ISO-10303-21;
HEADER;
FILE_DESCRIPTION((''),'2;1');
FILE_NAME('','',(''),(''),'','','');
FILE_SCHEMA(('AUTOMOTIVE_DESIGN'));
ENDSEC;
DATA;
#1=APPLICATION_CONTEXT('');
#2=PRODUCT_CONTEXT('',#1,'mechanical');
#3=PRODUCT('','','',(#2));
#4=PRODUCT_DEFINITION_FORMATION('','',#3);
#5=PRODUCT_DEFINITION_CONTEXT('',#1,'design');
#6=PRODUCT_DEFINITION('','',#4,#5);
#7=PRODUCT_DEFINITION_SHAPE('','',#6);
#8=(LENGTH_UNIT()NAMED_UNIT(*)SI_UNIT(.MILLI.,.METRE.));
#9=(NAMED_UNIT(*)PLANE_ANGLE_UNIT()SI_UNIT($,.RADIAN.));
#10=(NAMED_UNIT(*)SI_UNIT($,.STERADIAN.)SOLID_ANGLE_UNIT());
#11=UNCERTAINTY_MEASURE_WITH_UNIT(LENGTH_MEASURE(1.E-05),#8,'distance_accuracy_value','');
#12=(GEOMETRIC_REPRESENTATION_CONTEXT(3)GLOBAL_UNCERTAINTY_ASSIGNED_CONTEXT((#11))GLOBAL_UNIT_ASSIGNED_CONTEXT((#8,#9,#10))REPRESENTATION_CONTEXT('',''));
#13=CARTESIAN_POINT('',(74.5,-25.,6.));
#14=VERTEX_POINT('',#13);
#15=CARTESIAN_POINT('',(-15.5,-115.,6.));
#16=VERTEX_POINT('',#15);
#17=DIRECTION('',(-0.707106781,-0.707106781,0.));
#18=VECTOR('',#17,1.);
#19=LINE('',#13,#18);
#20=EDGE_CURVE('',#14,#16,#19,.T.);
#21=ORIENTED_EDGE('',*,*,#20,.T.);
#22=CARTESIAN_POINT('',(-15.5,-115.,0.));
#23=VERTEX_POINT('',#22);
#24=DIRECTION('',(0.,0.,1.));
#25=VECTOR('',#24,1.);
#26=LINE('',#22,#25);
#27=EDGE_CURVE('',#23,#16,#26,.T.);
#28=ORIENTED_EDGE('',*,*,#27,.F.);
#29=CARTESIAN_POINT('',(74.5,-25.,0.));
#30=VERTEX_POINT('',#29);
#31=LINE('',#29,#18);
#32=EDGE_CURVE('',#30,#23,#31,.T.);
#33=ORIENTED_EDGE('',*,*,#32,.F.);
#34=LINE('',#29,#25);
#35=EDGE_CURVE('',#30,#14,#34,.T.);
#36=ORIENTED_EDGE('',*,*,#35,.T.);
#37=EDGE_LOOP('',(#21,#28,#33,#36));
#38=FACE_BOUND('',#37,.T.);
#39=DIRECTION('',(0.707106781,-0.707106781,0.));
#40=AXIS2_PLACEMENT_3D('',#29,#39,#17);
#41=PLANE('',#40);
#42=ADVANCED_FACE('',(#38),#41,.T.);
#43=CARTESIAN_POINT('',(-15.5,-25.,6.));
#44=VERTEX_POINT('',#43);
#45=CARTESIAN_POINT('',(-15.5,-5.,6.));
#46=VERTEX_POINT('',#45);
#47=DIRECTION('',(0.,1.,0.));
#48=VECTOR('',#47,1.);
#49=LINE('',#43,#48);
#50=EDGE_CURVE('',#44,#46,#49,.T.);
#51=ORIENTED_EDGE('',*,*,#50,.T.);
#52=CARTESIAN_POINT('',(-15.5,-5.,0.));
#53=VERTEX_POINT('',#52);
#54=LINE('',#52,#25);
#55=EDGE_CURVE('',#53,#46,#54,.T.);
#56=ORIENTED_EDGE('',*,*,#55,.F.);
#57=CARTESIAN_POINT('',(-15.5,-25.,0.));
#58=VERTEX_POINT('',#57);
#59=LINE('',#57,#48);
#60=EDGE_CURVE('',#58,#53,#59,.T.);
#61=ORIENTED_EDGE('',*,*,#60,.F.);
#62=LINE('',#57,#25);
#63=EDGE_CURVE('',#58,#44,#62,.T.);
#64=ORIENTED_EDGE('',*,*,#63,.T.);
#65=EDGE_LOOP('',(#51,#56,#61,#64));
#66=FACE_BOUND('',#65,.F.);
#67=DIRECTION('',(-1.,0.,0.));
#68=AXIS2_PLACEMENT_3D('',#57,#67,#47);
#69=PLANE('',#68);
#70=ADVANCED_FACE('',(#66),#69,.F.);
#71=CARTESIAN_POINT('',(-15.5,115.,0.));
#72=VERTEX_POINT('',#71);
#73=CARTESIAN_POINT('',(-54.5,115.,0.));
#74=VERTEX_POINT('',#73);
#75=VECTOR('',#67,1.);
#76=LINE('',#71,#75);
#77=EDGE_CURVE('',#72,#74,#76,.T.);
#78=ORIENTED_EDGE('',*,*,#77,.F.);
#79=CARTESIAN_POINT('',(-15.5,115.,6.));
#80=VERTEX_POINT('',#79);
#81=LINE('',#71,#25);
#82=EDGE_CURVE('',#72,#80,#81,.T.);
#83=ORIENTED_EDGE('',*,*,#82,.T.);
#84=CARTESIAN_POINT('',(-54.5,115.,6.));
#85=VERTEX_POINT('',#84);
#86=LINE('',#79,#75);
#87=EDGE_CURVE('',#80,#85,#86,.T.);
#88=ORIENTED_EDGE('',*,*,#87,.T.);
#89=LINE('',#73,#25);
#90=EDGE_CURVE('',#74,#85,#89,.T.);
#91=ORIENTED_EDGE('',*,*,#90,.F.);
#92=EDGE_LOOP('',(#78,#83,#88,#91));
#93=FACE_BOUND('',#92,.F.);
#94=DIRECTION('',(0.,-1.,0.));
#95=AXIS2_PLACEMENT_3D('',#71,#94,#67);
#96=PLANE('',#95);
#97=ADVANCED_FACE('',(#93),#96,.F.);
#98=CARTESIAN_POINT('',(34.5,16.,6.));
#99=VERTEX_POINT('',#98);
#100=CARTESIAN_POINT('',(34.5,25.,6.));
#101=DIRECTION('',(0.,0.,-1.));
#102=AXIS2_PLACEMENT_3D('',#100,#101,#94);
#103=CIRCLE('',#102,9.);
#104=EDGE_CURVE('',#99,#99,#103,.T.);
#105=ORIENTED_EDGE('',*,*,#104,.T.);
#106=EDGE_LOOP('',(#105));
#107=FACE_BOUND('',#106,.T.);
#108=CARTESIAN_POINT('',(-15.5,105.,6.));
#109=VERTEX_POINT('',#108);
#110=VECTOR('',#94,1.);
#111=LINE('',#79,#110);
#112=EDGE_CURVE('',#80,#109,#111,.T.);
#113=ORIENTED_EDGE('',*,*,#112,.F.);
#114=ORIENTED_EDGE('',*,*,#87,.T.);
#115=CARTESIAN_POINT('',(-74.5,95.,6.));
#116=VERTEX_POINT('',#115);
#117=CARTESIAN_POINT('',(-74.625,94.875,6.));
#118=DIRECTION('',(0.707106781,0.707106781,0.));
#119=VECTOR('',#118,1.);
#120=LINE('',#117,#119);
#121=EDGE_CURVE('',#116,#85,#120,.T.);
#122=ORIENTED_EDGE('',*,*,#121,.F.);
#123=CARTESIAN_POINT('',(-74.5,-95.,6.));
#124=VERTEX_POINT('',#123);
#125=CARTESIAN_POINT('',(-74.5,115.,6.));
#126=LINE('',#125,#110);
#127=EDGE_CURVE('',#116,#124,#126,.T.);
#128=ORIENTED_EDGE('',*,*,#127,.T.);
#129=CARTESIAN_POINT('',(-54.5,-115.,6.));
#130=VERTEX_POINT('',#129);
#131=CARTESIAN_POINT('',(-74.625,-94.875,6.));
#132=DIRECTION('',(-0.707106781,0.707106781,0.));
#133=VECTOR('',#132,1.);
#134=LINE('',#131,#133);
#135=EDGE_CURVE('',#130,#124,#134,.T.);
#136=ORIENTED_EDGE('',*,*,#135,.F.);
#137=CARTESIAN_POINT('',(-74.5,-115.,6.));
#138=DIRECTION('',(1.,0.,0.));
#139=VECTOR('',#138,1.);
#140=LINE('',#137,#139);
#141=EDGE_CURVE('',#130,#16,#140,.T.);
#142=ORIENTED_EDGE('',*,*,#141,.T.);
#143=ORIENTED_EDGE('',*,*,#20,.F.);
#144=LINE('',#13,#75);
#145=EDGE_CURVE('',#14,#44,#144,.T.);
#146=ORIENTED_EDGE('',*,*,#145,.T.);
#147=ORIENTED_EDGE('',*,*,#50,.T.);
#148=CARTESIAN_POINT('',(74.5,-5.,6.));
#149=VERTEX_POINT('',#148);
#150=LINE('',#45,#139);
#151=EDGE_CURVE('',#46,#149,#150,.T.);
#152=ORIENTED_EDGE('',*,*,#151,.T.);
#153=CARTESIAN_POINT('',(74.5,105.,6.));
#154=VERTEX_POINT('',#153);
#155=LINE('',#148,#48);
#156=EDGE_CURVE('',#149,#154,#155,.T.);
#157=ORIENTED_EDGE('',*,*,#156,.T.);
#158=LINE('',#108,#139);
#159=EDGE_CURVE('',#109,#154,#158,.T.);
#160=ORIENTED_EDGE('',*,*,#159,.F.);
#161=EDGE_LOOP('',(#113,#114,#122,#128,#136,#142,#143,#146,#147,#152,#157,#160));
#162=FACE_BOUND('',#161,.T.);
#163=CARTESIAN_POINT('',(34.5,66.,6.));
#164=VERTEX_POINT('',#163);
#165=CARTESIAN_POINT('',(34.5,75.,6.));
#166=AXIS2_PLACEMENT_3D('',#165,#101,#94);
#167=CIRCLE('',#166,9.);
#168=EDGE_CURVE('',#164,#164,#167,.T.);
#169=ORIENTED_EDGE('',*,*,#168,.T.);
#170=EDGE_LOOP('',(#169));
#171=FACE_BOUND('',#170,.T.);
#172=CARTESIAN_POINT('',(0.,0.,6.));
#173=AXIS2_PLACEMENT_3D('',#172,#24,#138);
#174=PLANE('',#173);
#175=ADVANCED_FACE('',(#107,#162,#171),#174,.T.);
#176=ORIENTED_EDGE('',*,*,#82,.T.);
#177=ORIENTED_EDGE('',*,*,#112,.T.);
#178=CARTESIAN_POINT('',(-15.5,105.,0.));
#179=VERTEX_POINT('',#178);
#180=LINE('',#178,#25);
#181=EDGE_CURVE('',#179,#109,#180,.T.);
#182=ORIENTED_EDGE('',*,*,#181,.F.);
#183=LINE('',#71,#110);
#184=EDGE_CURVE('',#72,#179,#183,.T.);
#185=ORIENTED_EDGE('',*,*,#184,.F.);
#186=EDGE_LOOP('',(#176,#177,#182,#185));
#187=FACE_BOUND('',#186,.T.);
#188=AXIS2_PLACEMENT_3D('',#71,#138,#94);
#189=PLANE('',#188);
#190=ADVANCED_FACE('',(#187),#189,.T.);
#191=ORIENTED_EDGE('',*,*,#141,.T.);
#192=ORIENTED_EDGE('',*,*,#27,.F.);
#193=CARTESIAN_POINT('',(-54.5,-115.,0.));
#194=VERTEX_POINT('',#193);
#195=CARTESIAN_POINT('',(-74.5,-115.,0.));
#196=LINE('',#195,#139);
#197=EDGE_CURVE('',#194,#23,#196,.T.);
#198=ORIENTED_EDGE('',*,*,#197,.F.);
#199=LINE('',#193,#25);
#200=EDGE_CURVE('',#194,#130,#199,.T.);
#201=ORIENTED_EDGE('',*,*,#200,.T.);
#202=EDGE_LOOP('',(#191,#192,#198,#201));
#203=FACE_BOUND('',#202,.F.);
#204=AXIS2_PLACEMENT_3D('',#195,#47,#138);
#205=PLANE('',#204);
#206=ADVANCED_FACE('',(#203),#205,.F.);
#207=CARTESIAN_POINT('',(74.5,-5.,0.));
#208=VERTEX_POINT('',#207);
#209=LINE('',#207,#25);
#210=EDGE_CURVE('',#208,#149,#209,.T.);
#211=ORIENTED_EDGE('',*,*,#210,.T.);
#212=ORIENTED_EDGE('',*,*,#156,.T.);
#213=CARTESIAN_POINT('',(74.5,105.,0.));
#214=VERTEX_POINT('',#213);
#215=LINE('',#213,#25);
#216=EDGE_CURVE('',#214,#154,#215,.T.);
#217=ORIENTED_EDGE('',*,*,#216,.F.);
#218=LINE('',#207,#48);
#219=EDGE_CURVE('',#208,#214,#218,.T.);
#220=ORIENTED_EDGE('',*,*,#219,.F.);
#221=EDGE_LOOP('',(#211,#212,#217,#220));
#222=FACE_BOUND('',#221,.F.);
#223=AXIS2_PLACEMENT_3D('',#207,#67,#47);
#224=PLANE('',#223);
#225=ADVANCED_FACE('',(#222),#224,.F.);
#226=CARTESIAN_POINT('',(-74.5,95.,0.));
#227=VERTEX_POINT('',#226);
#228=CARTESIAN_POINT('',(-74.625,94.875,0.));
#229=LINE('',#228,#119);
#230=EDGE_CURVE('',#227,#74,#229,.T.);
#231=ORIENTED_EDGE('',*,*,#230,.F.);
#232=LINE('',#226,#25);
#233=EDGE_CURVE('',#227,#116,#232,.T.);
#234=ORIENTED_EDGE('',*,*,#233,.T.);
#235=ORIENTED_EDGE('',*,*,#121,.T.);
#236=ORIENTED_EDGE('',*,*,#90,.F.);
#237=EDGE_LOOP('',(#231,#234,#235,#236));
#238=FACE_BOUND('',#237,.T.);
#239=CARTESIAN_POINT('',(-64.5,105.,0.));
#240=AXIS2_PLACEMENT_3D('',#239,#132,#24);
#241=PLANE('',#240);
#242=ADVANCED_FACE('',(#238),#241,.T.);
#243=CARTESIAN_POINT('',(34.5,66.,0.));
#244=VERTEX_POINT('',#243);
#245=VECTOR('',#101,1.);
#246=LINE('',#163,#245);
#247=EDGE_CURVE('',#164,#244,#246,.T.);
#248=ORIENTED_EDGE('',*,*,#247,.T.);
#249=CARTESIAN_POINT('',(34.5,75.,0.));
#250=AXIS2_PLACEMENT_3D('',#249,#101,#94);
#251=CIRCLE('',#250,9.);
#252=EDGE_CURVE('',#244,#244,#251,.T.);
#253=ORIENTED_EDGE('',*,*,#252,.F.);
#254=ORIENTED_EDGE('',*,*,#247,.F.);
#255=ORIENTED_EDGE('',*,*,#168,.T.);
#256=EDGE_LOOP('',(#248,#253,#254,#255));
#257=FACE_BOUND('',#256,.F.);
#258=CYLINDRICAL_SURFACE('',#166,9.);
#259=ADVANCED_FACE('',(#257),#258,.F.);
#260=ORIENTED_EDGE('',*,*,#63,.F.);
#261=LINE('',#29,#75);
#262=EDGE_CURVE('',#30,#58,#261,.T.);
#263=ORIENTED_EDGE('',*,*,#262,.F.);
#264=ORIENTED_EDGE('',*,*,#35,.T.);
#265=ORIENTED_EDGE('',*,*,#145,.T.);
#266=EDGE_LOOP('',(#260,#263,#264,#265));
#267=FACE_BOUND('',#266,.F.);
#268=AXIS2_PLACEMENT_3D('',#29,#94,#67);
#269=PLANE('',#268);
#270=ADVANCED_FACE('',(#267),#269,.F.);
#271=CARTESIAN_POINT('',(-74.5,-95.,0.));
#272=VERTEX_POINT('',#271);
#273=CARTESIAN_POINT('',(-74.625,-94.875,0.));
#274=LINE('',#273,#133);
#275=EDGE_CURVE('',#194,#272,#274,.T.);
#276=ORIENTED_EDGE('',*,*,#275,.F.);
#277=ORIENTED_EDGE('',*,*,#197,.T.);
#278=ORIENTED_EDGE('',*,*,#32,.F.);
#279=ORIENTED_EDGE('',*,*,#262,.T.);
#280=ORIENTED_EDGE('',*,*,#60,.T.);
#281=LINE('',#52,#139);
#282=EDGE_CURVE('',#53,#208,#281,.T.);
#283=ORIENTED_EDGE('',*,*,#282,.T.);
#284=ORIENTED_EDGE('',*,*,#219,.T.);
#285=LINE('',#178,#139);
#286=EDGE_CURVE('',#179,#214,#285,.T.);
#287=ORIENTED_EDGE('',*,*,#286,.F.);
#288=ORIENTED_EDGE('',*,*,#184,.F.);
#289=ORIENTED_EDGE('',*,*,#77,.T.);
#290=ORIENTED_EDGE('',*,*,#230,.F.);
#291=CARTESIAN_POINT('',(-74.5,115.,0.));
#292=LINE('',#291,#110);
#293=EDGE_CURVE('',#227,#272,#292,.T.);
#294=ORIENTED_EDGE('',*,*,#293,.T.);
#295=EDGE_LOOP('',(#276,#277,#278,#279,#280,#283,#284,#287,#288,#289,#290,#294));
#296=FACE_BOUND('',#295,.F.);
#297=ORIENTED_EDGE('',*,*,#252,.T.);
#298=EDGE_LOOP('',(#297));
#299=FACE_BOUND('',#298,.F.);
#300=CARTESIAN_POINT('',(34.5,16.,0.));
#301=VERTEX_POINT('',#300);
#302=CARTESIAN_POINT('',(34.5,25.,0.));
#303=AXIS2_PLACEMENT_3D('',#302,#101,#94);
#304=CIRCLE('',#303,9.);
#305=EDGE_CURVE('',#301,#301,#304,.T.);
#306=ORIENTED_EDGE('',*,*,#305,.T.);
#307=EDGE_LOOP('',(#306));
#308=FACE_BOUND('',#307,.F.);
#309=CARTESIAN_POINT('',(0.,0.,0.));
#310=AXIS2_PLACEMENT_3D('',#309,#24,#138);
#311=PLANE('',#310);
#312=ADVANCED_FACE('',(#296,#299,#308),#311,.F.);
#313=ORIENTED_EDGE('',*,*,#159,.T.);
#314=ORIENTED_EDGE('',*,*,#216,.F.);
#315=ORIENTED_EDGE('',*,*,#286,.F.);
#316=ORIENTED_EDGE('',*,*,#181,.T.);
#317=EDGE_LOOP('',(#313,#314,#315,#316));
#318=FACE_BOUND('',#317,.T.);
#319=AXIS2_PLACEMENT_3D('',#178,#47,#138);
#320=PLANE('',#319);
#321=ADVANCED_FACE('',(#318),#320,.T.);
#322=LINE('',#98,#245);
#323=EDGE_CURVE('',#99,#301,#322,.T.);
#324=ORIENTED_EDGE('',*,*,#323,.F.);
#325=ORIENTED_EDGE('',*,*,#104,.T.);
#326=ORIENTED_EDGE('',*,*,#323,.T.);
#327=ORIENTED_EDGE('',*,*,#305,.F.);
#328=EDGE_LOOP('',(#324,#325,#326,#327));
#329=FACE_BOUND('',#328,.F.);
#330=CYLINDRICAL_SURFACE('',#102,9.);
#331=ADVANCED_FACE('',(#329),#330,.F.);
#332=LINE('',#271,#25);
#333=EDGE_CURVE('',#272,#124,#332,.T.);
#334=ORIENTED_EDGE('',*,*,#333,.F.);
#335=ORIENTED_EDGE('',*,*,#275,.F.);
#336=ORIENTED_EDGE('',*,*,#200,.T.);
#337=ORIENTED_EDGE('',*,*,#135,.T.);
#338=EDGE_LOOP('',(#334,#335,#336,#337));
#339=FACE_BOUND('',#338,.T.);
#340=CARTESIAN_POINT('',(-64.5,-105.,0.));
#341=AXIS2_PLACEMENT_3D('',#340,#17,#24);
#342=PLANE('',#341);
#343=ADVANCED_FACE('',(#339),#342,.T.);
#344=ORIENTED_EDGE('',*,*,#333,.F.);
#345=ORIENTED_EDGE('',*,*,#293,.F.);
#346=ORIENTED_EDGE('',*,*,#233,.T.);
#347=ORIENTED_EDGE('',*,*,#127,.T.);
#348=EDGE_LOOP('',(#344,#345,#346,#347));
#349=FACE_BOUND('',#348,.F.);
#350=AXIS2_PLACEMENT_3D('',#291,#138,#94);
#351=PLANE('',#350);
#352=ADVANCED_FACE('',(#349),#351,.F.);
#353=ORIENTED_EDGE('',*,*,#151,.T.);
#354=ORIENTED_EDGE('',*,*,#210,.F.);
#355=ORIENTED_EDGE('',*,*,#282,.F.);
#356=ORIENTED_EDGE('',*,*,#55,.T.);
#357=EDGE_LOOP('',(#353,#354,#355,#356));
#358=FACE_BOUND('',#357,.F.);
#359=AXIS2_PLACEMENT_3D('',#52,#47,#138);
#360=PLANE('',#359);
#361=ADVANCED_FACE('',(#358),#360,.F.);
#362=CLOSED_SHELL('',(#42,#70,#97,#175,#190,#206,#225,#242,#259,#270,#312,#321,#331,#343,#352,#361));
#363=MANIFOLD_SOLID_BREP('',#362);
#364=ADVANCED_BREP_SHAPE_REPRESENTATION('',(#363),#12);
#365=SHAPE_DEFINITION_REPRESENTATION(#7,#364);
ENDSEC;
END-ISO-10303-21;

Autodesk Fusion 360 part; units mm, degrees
sketch "スケッチ1" plane through (0, 0, 0) normal (0, 0, 1) x (1, 0, 0)
  line L0 (-15.5, 115) -> (-74.5, 115)
  line L1 (-74.5, 115) -> (-74.5, -115)
  line L2 (-74.5, -115) -> (-15.5, -115)
  line L3 (74.5, -5) -> (74.5, 105)
  line L4 (68.0217, 105) -> (-74.5, -115) construction
  line L5 (-74.5, 115) -> (39.1174, -60.3826) construction
  line L6 (-15.5, 115) -> (-15.5, 105)
  line L7 (-15.5, 105) -> (74.5, 105)
  line L8 (-74.5, -115) -> (-15.5, -115) construction
  line L9 (74.5, -25) -> (-15.5, -115)
  line L10 (74.5, -25) -> (-15.5, -25)
  line L11 (-15.5, -25) -> (-15.5, -5)
  line L12 (-15.5, -5) -> (74.5, -5)
  dimension "d2" = 230
  dimension "d5" = 59
  dimension "d7" = 90
  dimension "d8" = 20
extrude "押し出し1" add sketch "スケッチ1" along normal blind 6
chamfer "面取り1" distance 20 angle 45 2 edges at (-74.5, -115, 3) (-74.5, 115, 3)
sketch "スケッチ2" plane through (0, 0, 6) normal (0, 0, 1) x (-1, 0, 0)
  line L0 (54.5, -115) -> (74.5, -95)
  line L1 (74.5, -95) -> (74.5, 95)
  line L2 (74.5, 95) -> (54.5, 115)
  line L3 (54.5, 115) -> (15.5, 115)
  line L4 (15.5, 115) -> (-74.5, 25)
  line L5 (-74.5, 25) -> (15.5, 25)
  line L6 (15.5, 25) -> (15.5, 5)
  line L7 (15.5, 5) -> (-74.5, 5)
  line L8 (-74.5, 5) -> (-74.5, -105)
  line L9 (-74.5, -105) -> (15.5, -105)
  line L10 (15.5, -105) -> (15.5, -115)
  line L11 (15.5, -115) -> (54.5, -115)
  line L12 (-74.5, -105) -> (-34.5, -105) construction
  line L13 (-34.5, -105) -> (-34.5, -75) construction
  line L14 (-34.5, -75) -> (-74.5, -75) construction
  line L15 (-74.5, -75) -> (-74.5, -105) construction
  line L16 (-34.5, -75) -> (-34.5, -25) construction
  point P0 (-34.5, -75)
  point P1 (-34.5, -25)
  dimension "d12" = 40
  dimension "d13" = 30
  dimension "d14" = 50
hole "穴1" at (34.5, 25, 6) at (34.5, 75, 6) direction (0, 0, -1) diameter 18 end through all
equation "d5 = 20 mm + 39 mm"
